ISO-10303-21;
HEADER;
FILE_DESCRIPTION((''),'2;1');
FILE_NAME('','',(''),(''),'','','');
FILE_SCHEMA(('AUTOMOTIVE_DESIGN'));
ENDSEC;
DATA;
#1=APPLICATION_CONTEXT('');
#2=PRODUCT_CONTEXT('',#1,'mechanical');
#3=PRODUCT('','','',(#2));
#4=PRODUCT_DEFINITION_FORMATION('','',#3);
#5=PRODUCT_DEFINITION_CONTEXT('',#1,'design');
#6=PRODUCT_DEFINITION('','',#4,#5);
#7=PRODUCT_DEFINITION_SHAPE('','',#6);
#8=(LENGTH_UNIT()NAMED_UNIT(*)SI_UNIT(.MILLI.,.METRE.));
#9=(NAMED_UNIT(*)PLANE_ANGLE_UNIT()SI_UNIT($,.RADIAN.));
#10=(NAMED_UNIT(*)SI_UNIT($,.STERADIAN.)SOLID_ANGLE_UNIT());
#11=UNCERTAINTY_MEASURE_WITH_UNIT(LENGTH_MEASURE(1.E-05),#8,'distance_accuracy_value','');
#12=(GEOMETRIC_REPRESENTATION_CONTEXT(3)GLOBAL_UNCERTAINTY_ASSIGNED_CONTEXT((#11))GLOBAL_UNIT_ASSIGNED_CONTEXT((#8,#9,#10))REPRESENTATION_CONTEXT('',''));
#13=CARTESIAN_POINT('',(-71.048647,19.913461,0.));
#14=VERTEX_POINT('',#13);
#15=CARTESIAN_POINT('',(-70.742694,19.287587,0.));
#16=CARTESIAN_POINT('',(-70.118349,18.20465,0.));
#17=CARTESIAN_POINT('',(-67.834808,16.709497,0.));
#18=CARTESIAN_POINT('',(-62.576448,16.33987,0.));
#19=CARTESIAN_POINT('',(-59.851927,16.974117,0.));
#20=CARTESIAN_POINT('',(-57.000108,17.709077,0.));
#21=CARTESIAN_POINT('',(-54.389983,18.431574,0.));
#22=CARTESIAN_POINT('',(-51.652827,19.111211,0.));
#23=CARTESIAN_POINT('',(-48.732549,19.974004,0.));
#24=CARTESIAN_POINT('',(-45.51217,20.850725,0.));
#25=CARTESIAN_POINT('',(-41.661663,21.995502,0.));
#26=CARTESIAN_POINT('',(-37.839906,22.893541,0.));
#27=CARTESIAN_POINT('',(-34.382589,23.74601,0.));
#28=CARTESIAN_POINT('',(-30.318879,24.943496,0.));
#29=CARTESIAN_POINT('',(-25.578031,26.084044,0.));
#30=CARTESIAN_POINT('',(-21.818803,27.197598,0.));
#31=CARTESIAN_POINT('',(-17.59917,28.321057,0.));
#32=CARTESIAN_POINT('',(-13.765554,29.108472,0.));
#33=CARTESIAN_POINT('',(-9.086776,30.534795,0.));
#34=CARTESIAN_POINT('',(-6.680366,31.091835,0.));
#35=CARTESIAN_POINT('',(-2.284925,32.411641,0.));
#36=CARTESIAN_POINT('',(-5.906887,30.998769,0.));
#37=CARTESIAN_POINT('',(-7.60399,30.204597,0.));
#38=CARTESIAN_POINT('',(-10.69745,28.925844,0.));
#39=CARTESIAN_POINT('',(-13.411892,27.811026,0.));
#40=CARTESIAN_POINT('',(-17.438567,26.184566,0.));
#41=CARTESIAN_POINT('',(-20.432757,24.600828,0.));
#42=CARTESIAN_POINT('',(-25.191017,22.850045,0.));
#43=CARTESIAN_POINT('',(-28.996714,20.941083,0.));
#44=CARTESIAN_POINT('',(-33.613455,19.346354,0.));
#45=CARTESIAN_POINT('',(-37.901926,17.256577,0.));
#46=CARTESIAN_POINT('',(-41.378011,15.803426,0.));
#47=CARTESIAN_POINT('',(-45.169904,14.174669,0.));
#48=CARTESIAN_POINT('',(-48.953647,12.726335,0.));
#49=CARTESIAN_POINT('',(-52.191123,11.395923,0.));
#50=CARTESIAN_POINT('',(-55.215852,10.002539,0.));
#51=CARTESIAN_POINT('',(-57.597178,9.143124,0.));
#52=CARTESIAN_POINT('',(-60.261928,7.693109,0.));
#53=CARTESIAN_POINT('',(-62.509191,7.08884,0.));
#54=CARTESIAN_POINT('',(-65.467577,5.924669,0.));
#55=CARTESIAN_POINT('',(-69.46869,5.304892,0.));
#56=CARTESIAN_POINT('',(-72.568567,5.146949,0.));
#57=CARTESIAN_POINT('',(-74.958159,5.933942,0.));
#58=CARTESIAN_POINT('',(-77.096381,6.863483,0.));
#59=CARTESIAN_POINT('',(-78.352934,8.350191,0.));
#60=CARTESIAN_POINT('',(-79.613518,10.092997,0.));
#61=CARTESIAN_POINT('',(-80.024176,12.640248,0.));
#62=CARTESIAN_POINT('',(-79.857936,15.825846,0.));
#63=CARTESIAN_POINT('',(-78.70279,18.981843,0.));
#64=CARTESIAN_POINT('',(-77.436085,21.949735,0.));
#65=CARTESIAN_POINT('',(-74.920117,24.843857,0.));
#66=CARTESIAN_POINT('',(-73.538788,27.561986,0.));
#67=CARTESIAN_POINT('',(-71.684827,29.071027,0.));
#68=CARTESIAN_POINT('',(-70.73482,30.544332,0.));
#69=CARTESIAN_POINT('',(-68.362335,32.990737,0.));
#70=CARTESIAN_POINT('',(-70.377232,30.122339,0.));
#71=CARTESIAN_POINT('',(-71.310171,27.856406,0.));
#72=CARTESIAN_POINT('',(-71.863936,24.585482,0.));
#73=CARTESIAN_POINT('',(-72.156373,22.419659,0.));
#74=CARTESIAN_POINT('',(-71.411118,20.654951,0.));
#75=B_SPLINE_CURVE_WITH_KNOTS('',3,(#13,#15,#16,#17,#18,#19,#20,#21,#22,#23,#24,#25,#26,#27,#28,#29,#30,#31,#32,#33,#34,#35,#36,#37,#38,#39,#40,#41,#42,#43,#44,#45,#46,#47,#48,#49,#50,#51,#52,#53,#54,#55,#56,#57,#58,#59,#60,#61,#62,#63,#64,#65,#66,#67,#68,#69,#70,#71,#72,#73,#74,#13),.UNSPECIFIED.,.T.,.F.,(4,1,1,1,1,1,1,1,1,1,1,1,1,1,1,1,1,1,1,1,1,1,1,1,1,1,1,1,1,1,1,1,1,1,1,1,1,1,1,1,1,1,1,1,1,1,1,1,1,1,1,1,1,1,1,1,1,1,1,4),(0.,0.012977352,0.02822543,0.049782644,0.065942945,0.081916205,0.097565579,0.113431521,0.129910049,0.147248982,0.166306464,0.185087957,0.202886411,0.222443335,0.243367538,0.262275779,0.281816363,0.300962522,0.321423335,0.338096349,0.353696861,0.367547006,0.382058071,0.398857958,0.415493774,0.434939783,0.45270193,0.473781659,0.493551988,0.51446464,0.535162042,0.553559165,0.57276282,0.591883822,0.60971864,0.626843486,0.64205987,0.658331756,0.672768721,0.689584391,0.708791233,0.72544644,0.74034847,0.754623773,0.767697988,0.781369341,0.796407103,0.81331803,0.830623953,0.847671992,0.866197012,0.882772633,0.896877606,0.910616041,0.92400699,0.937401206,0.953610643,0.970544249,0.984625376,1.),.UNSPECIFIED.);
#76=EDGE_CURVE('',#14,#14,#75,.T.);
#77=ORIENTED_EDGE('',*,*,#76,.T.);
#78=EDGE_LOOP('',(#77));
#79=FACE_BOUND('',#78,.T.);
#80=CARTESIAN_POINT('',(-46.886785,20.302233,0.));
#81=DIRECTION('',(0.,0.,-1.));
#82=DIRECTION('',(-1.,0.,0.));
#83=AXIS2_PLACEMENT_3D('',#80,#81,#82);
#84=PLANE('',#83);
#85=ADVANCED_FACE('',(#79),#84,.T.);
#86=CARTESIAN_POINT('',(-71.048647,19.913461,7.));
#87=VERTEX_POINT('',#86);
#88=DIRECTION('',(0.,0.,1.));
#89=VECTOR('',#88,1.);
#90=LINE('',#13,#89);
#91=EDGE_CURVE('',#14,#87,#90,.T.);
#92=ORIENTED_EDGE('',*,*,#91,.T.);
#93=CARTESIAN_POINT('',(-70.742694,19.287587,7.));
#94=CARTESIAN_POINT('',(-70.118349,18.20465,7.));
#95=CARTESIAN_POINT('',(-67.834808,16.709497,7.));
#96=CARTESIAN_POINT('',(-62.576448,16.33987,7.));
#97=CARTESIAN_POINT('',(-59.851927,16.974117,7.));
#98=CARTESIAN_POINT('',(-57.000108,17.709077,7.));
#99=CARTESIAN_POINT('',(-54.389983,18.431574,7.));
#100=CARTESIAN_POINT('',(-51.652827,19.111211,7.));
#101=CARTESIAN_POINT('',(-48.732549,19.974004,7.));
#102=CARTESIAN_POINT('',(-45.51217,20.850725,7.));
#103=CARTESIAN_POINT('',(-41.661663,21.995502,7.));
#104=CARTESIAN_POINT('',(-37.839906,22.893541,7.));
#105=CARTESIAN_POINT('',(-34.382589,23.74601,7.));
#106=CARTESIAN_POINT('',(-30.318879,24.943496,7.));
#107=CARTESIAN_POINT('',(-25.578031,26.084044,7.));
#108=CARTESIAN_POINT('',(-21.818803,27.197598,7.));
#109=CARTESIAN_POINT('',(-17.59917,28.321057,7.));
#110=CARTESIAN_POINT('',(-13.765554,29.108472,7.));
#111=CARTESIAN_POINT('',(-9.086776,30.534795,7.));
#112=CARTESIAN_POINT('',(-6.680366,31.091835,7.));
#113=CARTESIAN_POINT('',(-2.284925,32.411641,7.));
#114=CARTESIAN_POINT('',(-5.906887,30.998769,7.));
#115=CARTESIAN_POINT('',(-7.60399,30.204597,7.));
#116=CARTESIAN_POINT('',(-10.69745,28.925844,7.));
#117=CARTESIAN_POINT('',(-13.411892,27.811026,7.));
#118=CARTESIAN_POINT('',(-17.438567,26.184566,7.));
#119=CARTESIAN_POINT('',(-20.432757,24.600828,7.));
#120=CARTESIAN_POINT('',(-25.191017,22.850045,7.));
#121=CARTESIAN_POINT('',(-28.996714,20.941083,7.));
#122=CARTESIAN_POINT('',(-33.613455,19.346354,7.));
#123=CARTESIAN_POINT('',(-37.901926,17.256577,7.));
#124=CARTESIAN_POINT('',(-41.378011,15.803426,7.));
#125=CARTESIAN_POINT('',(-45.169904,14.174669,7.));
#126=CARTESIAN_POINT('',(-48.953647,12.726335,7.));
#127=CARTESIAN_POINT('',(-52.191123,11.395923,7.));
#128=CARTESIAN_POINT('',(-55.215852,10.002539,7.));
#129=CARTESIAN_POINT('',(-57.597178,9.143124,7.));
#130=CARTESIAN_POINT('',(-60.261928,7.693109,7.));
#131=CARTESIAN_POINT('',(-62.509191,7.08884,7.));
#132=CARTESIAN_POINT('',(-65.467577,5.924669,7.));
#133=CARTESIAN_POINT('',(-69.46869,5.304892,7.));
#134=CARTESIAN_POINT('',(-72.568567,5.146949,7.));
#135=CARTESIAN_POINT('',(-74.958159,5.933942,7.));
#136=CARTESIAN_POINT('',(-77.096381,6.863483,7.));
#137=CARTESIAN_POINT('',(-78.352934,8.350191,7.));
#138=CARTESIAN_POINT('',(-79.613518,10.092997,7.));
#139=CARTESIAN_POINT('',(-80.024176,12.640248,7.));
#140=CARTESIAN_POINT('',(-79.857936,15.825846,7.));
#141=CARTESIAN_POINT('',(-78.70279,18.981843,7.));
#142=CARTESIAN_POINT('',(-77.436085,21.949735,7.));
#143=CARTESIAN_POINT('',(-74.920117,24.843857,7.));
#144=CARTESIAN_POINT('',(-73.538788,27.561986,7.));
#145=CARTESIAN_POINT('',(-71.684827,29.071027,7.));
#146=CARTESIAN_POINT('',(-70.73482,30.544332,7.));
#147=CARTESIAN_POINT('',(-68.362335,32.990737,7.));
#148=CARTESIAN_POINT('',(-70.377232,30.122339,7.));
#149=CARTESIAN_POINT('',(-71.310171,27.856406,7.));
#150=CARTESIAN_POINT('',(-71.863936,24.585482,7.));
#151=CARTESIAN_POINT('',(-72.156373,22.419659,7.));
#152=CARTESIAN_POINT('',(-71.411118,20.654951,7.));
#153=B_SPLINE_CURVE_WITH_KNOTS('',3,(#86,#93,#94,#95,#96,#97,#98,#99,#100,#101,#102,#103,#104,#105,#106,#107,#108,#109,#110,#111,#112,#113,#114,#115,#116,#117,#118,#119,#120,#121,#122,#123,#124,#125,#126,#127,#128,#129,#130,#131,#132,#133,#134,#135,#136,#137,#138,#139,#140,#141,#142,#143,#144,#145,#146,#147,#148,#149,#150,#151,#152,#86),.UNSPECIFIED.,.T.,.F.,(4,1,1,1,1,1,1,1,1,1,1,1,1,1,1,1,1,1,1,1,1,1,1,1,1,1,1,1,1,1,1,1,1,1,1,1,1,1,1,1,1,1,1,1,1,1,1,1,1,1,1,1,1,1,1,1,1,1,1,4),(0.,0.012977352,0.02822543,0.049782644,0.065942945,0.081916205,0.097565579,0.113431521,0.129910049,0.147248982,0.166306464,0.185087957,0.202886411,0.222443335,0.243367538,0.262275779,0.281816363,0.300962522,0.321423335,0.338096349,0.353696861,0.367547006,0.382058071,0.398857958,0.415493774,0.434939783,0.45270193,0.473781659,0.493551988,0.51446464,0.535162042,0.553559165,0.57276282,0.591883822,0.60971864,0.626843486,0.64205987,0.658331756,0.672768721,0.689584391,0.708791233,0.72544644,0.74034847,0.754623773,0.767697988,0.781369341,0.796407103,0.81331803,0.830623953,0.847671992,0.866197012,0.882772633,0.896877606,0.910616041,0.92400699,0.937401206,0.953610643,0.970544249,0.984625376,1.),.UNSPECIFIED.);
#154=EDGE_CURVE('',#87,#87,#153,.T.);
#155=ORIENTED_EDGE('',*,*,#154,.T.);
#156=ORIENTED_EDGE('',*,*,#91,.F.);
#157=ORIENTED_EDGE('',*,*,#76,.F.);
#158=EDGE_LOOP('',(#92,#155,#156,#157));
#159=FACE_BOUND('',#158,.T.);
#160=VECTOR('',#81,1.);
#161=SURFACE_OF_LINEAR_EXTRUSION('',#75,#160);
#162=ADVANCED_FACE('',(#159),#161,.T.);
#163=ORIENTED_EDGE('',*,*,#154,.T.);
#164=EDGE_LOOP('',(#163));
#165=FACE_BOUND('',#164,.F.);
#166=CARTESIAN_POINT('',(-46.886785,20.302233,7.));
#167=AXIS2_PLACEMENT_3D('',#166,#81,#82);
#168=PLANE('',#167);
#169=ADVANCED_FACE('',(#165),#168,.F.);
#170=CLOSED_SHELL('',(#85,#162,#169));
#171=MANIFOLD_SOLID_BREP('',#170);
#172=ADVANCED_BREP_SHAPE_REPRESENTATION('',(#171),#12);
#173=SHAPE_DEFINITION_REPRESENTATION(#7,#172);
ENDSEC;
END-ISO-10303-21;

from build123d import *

# Parameters (mm, degrees)
F1_DEPTH = 7


with BuildPart() as f1:
    # F0 (on Top) → F1 (new body)
    with BuildSketch(Plane.XY):
        with BuildLine():
            add(Edge.make_bspline(
                [(-71.0486471653, 19.9134610593), (-70.7426940641, 19.2875869875), (-70.1183485177, 18.2046495682), (-67.8348077203, 16.7094966213), (-62.5764482765, 16.3398703024), (-59.8519274626, 16.9741166277), (-57.0001083225, 17.7090769702), (-54.3899831999, 18.4315739124), (-51.6528269636, 19.1112105418), (-48.7325485268, 19.9740044836), (-45.5121701926, 20.8507248949), (-41.6616633199, 21.9955019225), (-37.8399058695, 22.893541454), (-34.3825887563, 23.7460104644), (-30.3188792686, 24.9434959712), (-25.5780309406, 26.0840438608), (-21.8188032793, 27.1975976035), (-17.5991700876, 28.3210574467), (-13.7655541127, 29.1084720506), (-9.0867757739, 30.5347952624), (-6.6803658358, 31.0918347289), (-2.2849246974, 32.4116412813), (-5.9068865383, 30.9987694443), (-7.6039902968, 30.2045973966), (-10.6974501146, 28.9258440669), (-13.4118920495, 27.8110261963), (-17.4385670368, 26.1845655977), (-20.4327566349, 24.6008280922), (-25.1910170554, 22.8500452712), (-28.9967135154, 20.941083278), (-33.6134551167, 19.3463543449), (-37.901925817, 17.2565768428), (-41.3780109441, 15.8034256996), (-45.1699035307, 14.174669205), (-48.9536471457, 12.726335124), (-52.1911231413, 11.395922606), (-55.2158524721, 10.0025385661), (-57.597178075, 9.1431237582), (-60.2619279275, 7.6931091406), (-62.5091905717, 7.0888402565), (-65.4675772194, 5.9246691954), (-69.4686903861, 5.3048915617), (-72.5685665482, 5.146948883), (-74.958158761, 5.9339416303), (-77.096381424, 6.8634825286), (-78.3529338801, 8.35019058), (-79.6135178109, 10.0929974656), (-80.024176276, 12.6402478567), (-79.8579357418, 15.8258458832), (-78.7027904086, 18.9818425829), (-77.4360850087, 21.9497354445), (-74.9201173068, 24.8438570262), (-73.5387884443, 27.5619855868), (-71.6848274798, 29.0710273513), (-70.7348197211, 30.5443324533), (-68.3623351419, 32.9907374711), (-70.3772322955, 30.1223391633), (-71.310170813, 27.8564058411), (-71.8639355629, 24.5854815413), (-72.1563734837, 22.419659049), (-71.4111181683, 20.6549511821), (-71.0486471653, 19.9134610593)],
                knots=[0, 0, 0, 0, 0.0129773524, 0.0282254303, 0.0497826439, 0.0659429453, 0.0819162053, 0.0975655792, 0.1134315211, 0.1299100489, 0.1472489819, 0.1663064641, 0.1850879569, 0.2028864106, 0.2224433348, 0.2433675381, 0.2622757794, 0.281816363, 0.3009625217, 0.3214233354, 0.3380963491, 0.3536968613, 0.3675470055, 0.3820580713, 0.3988579578, 0.4154937741, 0.4349397827, 0.4527019304, 0.4737816587, 0.4935519876, 0.5144646402, 0.5351620423, 0.553559165, 0.5727628197, 0.5918838224, 0.6097186397, 0.6268434865, 0.6420598699, 0.6583317563, 0.6727687207, 0.6895843906, 0.7087912326, 0.7254464396, 0.7403484699, 0.7546237726, 0.7676979884, 0.7813693407, 0.7964071029, 0.8133180305, 0.8306239535, 0.8476719919, 0.8661970118, 0.8827726326, 0.8968776063, 0.910616041, 0.92400699, 0.9374012062, 0.9536106434, 0.9705442491, 0.9846253759, 1, 1, 1, 1], degree=3))
        make_face()
    extrude(amount=F1_DEPTH)


solid = f1.part
